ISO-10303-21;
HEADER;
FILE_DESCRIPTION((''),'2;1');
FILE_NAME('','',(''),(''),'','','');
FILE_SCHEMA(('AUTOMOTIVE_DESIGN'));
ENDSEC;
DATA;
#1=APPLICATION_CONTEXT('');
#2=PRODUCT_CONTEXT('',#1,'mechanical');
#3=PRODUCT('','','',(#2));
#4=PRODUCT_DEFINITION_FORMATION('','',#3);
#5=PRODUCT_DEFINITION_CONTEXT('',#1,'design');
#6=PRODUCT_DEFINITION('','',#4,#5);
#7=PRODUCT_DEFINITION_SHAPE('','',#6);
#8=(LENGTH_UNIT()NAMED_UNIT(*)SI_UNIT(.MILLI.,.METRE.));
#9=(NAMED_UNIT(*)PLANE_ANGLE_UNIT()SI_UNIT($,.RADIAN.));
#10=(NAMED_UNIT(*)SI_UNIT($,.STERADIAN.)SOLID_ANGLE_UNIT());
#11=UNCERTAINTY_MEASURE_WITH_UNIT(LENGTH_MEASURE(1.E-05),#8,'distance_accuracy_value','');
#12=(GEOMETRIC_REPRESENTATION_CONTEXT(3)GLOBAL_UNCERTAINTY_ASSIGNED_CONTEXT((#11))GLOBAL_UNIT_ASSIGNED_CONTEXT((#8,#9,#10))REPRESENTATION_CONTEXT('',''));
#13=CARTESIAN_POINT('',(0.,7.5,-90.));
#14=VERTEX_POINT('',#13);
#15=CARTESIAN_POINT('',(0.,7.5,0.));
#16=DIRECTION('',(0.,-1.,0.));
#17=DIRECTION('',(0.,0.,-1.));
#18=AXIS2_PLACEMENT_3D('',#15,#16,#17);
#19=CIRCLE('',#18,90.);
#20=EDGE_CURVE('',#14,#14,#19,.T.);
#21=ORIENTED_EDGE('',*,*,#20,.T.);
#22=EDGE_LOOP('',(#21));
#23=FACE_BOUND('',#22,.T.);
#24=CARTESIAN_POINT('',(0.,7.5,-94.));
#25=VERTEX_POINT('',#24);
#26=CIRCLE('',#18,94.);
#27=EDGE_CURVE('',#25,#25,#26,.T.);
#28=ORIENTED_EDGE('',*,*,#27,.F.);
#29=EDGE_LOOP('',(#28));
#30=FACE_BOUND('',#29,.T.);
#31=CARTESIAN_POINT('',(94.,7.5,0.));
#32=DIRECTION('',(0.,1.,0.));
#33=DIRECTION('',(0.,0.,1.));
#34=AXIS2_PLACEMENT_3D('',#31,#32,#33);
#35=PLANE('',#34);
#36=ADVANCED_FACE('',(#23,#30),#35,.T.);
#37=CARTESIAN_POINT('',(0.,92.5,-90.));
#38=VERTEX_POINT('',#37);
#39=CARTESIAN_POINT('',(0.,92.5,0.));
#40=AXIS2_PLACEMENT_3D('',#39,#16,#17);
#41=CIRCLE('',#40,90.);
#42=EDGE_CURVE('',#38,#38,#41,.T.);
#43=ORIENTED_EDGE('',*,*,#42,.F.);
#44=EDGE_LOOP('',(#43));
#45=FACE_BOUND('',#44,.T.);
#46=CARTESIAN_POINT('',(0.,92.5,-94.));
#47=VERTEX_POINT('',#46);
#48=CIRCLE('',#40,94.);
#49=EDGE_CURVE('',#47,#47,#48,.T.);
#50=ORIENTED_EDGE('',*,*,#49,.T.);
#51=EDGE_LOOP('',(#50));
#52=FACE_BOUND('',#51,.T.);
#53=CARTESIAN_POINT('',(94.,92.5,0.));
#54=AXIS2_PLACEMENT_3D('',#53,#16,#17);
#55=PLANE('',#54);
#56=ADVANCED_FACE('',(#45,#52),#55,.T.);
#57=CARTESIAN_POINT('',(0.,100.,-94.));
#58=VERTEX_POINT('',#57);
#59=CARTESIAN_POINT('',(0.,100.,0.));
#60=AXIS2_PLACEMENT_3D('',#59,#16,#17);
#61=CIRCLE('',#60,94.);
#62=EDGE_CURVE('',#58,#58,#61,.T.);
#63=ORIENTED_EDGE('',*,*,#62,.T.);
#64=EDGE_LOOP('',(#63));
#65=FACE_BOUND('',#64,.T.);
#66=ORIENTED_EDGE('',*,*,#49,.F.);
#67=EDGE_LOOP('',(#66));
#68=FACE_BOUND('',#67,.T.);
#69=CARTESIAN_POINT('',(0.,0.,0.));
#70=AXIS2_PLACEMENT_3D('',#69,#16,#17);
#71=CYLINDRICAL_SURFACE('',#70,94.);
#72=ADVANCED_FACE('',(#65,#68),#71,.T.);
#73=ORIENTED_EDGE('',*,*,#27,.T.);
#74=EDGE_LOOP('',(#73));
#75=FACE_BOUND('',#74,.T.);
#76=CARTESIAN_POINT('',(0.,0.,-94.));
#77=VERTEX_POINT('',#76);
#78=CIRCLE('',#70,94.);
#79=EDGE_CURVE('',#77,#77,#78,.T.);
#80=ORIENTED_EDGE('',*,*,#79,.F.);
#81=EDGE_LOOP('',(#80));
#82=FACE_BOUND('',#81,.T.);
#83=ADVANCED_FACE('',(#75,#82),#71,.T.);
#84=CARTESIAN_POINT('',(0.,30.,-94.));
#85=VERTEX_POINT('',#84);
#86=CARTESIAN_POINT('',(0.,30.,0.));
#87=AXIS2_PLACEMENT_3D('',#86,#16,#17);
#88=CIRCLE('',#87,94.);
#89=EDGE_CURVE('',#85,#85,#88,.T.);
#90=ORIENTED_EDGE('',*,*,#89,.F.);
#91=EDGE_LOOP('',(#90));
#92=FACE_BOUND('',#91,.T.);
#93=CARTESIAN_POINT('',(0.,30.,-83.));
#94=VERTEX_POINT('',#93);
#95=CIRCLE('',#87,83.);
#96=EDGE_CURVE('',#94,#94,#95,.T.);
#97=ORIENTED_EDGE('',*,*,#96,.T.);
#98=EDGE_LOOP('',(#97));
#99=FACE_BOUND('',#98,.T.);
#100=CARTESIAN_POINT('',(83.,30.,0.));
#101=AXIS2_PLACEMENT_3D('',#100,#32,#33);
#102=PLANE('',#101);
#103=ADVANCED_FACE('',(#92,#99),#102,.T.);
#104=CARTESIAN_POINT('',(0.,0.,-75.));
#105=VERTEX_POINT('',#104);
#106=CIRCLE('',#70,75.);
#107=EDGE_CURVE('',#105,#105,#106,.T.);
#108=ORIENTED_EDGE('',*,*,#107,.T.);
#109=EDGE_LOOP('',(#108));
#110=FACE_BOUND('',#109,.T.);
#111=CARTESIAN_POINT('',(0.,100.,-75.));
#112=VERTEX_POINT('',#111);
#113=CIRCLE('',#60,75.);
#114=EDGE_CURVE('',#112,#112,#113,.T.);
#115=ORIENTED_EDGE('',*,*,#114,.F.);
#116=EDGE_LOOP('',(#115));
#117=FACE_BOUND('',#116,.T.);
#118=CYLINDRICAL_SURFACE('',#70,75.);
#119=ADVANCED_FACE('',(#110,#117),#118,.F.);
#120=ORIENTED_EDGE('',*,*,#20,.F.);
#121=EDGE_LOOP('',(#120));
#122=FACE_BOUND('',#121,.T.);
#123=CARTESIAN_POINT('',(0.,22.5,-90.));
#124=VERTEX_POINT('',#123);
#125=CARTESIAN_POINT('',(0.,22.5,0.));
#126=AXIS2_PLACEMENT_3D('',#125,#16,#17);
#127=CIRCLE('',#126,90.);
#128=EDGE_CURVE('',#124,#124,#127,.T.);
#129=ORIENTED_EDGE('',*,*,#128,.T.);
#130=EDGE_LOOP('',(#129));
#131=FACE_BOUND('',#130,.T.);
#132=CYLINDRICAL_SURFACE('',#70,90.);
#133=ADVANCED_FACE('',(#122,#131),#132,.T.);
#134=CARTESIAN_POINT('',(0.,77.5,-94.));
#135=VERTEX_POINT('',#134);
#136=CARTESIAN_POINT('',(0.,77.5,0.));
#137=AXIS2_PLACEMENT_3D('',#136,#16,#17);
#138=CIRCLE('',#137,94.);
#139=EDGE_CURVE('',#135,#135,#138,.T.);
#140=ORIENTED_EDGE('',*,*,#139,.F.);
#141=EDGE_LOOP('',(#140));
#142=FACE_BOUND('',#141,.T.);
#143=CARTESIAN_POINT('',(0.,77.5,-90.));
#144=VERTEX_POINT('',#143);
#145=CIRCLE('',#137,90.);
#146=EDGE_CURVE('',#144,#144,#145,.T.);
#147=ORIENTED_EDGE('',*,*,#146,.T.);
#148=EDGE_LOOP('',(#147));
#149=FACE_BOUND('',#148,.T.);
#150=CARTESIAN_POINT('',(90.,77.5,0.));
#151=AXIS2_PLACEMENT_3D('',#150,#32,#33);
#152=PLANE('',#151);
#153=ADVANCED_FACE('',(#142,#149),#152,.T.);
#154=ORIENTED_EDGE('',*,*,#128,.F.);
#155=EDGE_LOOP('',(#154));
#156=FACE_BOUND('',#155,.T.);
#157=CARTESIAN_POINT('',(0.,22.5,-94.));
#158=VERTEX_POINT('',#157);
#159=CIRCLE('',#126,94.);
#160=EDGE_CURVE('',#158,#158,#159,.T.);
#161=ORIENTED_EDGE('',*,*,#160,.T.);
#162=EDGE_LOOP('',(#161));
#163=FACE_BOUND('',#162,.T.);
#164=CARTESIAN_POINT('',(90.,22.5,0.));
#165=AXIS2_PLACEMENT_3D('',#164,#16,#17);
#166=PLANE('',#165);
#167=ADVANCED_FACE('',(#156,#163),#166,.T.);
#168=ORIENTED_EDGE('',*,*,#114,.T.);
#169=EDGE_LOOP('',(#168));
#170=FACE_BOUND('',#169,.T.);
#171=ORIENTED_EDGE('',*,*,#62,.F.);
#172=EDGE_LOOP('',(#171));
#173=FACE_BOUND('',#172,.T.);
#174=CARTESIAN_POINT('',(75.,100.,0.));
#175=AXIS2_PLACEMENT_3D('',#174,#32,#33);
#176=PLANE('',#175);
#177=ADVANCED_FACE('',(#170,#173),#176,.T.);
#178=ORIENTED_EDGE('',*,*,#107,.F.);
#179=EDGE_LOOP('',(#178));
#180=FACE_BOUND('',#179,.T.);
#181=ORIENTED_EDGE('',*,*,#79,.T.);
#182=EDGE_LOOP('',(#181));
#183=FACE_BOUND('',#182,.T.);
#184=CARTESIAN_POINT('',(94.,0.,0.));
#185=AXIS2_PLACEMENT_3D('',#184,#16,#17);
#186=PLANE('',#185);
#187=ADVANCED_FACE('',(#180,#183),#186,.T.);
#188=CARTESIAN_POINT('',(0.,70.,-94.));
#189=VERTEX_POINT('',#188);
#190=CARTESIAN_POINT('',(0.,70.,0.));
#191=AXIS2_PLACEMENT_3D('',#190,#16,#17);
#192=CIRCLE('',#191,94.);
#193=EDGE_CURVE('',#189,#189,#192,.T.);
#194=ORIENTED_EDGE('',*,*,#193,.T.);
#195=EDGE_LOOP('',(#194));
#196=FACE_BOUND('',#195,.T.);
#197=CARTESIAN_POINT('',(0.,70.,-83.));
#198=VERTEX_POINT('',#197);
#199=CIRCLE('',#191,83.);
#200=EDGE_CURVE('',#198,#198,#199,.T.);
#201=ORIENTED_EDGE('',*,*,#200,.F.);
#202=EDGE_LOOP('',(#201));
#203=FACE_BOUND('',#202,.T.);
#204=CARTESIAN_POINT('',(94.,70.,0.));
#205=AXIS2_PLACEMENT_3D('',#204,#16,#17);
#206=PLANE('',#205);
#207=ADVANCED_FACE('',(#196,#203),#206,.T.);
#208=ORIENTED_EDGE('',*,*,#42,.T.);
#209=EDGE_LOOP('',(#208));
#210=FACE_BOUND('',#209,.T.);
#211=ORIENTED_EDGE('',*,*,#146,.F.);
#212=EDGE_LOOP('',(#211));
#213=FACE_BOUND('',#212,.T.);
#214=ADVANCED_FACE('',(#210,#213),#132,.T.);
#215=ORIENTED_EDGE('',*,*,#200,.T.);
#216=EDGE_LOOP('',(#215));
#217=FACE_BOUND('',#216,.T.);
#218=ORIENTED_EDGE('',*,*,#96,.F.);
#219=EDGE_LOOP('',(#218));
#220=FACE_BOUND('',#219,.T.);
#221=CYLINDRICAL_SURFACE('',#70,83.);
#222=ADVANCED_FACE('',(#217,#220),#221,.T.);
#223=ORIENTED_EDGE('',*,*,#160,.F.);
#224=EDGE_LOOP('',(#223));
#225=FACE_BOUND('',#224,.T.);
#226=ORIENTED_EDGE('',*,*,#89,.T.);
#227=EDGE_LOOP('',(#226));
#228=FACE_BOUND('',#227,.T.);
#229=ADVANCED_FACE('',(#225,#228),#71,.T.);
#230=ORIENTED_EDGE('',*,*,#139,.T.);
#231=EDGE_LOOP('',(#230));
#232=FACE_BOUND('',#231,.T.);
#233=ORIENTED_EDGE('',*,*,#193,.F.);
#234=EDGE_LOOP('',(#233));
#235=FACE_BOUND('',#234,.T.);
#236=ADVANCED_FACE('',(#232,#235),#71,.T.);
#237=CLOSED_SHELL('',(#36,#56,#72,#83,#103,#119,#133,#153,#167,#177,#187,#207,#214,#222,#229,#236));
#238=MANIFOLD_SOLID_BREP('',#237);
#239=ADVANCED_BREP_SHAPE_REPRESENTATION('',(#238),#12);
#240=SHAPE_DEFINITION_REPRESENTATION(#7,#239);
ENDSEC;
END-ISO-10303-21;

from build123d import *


with BuildPart() as part:
    # Esboço1 → Revolução1 (revolve)
    with BuildSketch(Plane.XY):
        Polygon((75, 100), (94, 100), (94, 92.5), (90, 92.5), (90, 77.5), (94, 77.5), (94, 70), (83, 70), (83, 30), (94, 30), (94, 22.5), (90, 22.5), (90, 7.5), (94, 7.5), (94, 0), (75, 0), align=None)
    revolve(axis=Axis((0, 0, 0), (0, 1, 0)))


solid = part.part
